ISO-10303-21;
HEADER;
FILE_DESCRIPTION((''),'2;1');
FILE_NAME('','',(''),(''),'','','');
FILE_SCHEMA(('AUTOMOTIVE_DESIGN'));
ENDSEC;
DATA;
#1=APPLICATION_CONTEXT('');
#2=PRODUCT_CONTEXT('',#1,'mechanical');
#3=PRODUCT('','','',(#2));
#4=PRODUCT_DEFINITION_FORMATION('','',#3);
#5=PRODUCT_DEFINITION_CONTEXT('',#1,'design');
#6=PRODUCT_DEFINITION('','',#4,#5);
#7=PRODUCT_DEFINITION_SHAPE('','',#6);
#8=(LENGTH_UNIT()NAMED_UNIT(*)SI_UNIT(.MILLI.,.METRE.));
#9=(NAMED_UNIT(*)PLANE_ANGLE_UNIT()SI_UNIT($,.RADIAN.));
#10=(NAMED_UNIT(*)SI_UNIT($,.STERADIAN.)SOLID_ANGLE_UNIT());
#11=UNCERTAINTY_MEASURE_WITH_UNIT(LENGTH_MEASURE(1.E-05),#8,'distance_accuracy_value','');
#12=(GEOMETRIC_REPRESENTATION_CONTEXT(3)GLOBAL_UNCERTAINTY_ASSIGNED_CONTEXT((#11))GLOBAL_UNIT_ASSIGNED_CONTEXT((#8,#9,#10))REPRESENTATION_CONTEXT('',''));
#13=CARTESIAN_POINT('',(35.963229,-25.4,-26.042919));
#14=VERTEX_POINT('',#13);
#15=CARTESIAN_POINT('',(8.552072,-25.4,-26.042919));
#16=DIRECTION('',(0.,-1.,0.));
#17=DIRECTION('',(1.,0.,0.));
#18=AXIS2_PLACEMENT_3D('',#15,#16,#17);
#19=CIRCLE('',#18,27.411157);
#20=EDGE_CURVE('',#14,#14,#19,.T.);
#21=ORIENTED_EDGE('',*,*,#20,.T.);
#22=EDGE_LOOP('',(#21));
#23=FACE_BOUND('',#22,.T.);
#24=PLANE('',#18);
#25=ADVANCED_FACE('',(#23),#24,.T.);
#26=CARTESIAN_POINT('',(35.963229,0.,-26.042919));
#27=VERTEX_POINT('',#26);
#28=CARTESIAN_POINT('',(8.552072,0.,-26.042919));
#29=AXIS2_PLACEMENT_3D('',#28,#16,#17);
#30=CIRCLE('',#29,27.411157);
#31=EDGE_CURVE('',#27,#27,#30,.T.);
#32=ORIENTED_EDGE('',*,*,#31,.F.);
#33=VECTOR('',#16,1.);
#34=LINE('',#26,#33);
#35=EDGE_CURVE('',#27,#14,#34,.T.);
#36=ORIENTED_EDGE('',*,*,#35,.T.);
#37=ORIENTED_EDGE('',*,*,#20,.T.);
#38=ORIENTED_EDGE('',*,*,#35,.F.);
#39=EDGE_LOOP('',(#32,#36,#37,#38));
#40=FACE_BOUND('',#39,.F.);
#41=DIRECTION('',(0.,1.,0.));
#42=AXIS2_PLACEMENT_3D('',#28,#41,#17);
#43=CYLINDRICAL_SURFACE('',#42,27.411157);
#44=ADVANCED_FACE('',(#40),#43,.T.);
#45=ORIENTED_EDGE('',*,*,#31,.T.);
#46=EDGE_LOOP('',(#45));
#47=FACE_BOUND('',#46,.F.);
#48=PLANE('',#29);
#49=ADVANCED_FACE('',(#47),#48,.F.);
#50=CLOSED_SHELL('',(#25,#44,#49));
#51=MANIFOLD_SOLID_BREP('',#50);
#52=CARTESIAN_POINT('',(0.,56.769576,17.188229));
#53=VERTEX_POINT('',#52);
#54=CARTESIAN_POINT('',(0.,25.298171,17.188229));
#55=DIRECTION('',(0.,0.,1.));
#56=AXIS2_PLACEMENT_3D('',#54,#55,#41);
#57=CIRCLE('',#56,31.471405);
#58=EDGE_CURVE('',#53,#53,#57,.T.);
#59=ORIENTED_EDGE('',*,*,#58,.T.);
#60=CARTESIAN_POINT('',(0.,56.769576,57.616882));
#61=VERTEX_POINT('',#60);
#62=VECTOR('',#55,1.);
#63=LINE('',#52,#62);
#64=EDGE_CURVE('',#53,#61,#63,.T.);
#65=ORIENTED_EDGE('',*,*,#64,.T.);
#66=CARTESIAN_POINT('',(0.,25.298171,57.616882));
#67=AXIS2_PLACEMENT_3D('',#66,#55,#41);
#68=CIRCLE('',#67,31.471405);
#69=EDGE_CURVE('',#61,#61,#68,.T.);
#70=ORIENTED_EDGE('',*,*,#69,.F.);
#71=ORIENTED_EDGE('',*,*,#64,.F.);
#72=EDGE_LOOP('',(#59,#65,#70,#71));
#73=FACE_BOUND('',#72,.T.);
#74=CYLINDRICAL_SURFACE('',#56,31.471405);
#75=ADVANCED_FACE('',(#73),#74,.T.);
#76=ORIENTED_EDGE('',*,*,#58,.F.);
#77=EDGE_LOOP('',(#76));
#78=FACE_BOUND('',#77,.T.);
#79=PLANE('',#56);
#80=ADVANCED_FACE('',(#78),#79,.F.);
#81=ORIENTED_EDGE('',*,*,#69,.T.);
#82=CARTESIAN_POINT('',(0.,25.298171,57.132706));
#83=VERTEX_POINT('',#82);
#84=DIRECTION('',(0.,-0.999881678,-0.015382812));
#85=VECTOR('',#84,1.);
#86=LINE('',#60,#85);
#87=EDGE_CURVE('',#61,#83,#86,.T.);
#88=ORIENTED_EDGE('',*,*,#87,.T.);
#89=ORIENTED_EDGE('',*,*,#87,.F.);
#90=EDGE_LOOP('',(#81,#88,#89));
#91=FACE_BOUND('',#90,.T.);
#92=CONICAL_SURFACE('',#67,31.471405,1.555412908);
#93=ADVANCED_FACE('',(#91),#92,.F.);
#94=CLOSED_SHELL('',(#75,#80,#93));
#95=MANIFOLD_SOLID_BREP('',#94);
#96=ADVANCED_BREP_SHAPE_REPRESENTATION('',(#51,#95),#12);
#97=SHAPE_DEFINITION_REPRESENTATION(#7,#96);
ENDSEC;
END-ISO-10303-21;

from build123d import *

# Parameters (mm, degrees)
F0_R     = 27.411157
F1_DEPTH = 25.4


with BuildPart() as f1:
    # F0 (on Front) → F1 (new body)
    with BuildSketch(Plane.XZ):
        with Locations((8.552072, -26.042919)):
            Circle(F0_R)
    extrude(amount=F1_DEPTH)


with BuildPart() as f3:
    # F2 (on Right) → F3 (revolve)
    with BuildSketch(Plane.YZ):
        Polygon((56.769576, 17.188229), (56.769576, 57.616882), (25.298171, 57.132706), (25.298171, 17.188229), align=None)
    revolve(axis=Axis((0, 25.298171, 37.160467), (0, 0, 1)))


solid = Compound([f1.part, f3.part])
